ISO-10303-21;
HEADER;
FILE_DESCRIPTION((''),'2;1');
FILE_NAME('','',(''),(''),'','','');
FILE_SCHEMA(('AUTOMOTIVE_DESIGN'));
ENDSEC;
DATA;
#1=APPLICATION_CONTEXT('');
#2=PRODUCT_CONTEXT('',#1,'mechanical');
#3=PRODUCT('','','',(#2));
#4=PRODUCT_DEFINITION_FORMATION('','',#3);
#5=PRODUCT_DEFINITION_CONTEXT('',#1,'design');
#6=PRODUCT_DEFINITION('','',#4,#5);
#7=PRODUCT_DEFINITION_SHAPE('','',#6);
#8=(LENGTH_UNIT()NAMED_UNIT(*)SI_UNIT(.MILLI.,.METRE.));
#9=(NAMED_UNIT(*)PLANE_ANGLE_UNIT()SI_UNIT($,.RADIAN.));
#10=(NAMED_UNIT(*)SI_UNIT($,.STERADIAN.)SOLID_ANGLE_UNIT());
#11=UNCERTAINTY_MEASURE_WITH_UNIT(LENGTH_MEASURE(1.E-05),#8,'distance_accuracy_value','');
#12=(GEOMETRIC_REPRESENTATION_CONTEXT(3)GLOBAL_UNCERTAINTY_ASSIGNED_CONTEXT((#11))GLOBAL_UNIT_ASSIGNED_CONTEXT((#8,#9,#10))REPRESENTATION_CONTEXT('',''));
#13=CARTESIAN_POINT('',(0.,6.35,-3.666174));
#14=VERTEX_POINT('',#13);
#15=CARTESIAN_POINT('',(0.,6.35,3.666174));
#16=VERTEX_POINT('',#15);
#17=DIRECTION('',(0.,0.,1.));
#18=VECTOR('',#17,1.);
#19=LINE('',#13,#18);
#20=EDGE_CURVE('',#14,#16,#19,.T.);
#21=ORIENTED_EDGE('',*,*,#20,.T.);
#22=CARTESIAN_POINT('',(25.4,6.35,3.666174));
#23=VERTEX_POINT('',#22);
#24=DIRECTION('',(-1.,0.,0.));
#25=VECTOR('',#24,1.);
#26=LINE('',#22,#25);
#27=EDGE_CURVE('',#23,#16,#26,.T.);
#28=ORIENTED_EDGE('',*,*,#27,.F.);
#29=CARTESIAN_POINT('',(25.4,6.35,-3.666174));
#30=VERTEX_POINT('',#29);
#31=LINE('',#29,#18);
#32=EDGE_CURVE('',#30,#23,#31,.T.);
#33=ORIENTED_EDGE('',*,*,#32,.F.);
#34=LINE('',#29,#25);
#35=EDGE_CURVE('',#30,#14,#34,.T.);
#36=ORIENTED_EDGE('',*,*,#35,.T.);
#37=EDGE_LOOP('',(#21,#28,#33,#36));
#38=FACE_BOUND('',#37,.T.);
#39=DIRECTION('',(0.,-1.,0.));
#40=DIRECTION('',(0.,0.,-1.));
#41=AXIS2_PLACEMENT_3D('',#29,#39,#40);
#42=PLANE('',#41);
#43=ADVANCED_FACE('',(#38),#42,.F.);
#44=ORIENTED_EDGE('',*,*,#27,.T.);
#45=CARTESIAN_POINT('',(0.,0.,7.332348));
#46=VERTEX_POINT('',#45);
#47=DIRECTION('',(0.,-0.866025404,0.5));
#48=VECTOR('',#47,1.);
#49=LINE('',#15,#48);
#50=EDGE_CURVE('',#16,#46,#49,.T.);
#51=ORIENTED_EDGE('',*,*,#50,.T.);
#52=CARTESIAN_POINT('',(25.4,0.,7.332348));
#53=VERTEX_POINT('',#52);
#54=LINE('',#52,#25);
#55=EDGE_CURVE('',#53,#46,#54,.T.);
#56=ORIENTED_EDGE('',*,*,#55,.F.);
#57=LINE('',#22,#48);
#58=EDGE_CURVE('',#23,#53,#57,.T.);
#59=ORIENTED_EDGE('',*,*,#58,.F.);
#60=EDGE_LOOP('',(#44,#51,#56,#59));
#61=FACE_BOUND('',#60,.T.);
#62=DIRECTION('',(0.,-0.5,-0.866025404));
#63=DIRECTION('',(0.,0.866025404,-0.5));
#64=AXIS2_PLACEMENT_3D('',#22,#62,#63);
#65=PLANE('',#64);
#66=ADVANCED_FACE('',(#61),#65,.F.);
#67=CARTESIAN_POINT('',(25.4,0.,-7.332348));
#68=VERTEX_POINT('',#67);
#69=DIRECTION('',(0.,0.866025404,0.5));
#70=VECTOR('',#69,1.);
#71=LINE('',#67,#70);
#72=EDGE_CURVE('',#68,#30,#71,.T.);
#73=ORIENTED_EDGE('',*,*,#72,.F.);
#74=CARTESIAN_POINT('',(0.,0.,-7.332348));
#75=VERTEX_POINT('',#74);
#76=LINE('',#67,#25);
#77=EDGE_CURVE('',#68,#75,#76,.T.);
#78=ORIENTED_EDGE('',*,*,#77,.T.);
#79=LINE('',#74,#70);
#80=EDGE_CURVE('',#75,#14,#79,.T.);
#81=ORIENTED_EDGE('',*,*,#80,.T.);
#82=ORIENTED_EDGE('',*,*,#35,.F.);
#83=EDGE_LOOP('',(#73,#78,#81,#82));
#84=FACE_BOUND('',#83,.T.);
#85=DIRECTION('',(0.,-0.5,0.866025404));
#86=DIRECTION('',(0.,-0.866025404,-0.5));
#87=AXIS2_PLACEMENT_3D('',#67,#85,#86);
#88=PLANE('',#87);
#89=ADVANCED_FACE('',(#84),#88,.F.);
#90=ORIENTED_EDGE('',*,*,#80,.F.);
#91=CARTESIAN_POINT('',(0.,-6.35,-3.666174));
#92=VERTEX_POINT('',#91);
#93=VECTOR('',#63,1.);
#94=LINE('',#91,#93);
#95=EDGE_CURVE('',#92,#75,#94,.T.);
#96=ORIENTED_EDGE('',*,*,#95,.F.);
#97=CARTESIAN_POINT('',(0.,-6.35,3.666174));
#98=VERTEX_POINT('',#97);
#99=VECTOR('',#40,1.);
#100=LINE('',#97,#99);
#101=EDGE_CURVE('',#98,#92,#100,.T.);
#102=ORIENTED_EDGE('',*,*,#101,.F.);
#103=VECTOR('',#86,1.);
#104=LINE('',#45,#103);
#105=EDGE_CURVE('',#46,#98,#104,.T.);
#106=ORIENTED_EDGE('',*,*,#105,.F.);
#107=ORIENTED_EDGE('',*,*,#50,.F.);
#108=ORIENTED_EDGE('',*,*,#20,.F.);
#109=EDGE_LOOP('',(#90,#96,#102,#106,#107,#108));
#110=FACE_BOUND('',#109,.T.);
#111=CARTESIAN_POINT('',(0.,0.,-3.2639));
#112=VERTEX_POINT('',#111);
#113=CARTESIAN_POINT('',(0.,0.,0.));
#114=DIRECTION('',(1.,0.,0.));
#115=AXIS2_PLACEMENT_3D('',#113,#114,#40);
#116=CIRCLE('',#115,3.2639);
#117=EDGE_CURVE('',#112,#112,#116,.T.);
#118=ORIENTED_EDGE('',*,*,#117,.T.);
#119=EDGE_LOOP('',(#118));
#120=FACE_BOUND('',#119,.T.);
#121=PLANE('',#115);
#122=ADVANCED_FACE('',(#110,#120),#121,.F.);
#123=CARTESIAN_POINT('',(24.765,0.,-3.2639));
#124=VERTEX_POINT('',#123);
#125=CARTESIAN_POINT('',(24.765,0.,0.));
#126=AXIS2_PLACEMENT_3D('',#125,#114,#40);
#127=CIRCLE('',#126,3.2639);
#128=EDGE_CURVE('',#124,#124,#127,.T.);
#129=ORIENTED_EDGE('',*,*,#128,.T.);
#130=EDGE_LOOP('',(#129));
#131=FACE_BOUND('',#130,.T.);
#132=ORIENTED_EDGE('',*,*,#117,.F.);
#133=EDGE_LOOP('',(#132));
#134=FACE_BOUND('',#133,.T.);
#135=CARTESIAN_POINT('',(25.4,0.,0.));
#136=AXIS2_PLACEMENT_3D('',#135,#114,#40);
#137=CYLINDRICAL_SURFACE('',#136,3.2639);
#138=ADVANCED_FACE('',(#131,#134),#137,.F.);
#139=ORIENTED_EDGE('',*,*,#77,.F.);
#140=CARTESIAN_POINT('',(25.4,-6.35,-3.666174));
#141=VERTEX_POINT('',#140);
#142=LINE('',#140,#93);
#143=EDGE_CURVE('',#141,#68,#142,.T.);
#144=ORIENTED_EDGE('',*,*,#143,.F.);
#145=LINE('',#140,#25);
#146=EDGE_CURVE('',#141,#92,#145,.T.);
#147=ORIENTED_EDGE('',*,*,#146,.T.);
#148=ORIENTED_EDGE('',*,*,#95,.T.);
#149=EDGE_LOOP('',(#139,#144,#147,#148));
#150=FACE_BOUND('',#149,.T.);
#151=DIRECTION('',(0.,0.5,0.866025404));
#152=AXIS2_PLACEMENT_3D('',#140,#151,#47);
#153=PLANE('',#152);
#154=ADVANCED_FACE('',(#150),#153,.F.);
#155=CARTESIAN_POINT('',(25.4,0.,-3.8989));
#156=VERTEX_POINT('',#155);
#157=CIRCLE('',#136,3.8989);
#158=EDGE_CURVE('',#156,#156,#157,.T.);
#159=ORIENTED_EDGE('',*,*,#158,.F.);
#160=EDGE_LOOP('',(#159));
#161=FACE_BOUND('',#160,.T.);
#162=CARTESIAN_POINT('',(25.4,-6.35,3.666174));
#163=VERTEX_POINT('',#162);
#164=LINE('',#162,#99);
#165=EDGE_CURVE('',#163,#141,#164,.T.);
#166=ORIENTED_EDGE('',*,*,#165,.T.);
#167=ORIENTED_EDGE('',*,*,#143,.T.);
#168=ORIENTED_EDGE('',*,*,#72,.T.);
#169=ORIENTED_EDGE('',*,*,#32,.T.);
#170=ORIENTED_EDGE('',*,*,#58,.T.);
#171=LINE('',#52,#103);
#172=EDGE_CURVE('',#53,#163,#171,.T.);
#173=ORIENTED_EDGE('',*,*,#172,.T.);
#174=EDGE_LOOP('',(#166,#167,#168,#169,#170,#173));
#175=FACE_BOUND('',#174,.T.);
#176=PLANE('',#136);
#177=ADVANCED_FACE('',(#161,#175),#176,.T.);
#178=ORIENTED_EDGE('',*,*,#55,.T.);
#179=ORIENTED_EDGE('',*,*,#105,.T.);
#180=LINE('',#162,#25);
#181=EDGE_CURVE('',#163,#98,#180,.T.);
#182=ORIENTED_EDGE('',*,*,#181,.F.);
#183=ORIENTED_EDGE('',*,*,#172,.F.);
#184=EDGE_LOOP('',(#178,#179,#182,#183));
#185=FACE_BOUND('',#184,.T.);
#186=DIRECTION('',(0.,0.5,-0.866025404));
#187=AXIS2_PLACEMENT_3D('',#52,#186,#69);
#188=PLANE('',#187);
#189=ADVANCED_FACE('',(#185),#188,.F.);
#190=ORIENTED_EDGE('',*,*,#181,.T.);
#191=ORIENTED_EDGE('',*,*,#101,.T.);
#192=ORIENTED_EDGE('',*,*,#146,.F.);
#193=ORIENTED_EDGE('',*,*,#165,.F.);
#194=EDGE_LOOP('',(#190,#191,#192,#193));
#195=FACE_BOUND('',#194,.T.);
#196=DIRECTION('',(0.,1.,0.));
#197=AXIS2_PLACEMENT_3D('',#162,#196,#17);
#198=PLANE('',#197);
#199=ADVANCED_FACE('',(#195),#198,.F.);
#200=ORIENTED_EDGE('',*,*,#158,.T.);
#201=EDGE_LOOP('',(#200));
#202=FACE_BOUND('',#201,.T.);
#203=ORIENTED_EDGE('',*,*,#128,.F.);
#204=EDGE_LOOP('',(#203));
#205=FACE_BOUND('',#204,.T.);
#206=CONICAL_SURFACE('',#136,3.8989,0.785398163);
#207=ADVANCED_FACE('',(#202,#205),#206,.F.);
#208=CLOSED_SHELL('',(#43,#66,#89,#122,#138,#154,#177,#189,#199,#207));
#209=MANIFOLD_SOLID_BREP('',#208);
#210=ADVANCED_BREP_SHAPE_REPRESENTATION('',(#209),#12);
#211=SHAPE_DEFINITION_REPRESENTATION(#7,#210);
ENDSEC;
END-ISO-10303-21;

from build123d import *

# Parameters (mm, degrees)
BOSS_EXTRUDE1_DEPTH                    = 25.4
TAP_DRILL_FOR_5_16_18_TAP1_D           = 6.5278
TAP_DRILL_FOR_5_16_18_TAP1_CSINK_D     = 7.7978
TAP_DRILL_FOR_5_16_18_TAP1_CSINK_ANGLE = 90


with BuildPart() as part:
    # Sketch1 → Boss-Extrude1 (new body)
    with BuildSketch(Plane(origin=(0, 0, 0), x_dir=(0, 0, -1), z_dir=(1, 0, 0))):
        Polygon((7.332348419, 0), (3.666174209, 6.35), (-3.666174209, 6.35), (-7.332348419, 0), (-3.666174209, -6.35), (3.666174209, -6.35), align=None)
    extrude(amount=BOSS_EXTRUDE1_DEPTH)

    # Tap Drill for 5/16-18 Tap1 (through all)
    with Locations(Plane(origin=(25.4, 0, 0), x_dir=(0, 0, -1), z_dir=(1, 0, 0))):
        with Locations((0, 0)):
            CounterSinkHole(TAP_DRILL_FOR_5_16_18_TAP1_D / 2, TAP_DRILL_FOR_5_16_18_TAP1_CSINK_D / 2, counter_sink_angle=TAP_DRILL_FOR_5_16_18_TAP1_CSINK_ANGLE)


solid = part.part
